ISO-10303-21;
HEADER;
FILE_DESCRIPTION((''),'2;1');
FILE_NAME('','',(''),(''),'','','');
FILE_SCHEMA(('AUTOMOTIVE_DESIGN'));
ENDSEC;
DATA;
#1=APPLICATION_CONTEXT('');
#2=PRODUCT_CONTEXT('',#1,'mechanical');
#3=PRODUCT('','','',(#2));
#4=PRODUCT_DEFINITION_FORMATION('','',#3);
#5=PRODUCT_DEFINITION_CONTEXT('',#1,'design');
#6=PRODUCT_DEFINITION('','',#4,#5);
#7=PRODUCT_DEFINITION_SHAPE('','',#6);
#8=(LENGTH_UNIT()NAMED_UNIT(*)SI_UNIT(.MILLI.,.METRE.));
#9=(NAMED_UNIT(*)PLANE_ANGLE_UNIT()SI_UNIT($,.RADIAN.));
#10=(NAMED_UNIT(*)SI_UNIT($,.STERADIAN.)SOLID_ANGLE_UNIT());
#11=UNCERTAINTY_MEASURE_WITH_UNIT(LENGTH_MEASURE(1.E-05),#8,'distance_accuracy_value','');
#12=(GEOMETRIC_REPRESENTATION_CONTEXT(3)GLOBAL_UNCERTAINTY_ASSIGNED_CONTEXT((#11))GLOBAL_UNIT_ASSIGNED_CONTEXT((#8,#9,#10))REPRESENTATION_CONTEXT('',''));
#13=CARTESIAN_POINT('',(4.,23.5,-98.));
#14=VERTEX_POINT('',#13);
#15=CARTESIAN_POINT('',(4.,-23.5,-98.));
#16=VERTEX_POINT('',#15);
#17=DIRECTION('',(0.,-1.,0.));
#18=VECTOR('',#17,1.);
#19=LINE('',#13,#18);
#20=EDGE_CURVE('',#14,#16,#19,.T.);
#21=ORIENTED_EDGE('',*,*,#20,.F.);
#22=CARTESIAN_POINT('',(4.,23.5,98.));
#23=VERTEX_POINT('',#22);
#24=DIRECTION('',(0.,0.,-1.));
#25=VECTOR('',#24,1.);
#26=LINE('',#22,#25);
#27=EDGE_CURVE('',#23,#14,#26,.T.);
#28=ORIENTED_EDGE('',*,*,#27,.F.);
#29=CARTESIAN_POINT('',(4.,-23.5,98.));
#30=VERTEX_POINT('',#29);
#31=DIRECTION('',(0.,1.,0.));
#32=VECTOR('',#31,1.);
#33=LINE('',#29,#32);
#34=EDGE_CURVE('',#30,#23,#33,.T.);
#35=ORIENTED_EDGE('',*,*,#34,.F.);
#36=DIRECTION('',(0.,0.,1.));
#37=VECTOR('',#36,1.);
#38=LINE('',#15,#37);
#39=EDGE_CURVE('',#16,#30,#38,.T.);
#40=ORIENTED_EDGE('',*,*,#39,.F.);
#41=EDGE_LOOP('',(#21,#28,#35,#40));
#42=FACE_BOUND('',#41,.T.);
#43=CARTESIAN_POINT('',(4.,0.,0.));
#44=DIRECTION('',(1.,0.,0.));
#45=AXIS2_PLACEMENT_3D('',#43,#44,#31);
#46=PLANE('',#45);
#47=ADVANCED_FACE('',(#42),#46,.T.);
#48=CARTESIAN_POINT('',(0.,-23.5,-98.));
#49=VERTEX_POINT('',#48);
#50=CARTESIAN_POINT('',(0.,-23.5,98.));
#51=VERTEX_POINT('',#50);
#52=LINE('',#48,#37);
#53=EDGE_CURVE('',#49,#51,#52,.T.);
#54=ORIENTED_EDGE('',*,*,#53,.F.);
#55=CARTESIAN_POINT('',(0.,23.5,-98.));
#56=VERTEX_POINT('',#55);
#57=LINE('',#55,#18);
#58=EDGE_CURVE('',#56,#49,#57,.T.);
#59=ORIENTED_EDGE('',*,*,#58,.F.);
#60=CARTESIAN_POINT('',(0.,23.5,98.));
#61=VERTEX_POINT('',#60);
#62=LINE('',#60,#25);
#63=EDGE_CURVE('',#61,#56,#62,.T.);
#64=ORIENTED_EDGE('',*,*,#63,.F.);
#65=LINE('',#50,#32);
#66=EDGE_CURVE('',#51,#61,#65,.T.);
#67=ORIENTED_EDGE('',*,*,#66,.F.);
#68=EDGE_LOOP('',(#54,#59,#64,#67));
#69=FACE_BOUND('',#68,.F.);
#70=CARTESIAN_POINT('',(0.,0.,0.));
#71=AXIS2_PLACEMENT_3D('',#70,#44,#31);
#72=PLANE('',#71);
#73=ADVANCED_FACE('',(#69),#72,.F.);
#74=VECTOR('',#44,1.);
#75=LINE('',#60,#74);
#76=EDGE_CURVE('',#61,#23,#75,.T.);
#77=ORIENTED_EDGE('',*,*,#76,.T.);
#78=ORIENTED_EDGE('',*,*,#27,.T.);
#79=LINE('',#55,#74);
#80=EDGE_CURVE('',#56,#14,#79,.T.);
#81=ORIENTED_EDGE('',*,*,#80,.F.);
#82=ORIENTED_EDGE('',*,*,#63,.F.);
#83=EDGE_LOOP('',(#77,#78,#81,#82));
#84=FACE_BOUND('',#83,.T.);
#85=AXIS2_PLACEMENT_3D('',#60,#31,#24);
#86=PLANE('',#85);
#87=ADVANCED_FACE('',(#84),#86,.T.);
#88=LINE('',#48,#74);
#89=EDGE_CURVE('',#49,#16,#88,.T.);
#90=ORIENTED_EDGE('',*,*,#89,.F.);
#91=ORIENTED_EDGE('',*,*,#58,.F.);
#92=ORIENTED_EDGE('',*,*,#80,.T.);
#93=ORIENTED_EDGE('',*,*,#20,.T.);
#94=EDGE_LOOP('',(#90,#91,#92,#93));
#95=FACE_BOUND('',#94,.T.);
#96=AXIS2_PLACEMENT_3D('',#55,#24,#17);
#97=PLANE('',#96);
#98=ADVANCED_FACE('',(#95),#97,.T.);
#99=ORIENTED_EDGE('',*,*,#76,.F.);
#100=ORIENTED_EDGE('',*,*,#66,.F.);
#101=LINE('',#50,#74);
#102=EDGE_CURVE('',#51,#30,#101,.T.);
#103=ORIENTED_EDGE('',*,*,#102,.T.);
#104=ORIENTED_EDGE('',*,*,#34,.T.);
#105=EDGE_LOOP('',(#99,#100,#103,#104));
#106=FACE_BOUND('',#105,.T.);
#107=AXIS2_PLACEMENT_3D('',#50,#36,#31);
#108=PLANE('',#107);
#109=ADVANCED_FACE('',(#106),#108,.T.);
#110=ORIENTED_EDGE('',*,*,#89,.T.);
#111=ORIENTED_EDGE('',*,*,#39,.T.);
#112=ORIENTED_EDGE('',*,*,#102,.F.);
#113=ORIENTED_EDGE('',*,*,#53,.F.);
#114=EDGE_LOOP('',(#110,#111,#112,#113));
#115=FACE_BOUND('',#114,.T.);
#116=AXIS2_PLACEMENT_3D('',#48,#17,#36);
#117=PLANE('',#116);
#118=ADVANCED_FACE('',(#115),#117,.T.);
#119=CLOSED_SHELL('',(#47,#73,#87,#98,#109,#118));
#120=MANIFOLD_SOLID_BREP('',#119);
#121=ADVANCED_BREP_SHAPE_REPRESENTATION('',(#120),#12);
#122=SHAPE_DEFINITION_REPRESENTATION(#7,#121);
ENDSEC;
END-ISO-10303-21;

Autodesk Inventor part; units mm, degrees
ref_plane "YZ Plane" through (0, 0, 0) normal (1, 0, 0) x (0, 1, 0)
ref_plane "XZ Plane" through (0, 0, 0) normal (0, 1, 0) x (-1, 0, 0)
ref_plane "XY Plane" through (0, 0, 0) normal (0, 0, 1) x (1, 0, 0)
sketch "Sketch3" plane through (0, 0, 0) normal (1, 0, 0) x (0, 1, 0)
  line L0 (-23.5, 98) -> (23.5, 98)
  line L1 (23.5, 98) -> (23.5, -98)
  line L2 (23.5, -98) -> (-23.5, -98)
  line L3 (-23.5, -98) -> (-23.5, 98)
  line L4 (-23.5, 98) -> (23.5, -98) construction
  line L5 (23.5, 98) -> (-23.5, -98) construction
  point P0 (0, 0)
  dimension "d8" = 47
  dimension "d9" = 196
extrude "Extrusion3" add sketch "Sketch3" along normal blind 4
properties part number "Acrylic Top" material "Acetal Resin, White"
